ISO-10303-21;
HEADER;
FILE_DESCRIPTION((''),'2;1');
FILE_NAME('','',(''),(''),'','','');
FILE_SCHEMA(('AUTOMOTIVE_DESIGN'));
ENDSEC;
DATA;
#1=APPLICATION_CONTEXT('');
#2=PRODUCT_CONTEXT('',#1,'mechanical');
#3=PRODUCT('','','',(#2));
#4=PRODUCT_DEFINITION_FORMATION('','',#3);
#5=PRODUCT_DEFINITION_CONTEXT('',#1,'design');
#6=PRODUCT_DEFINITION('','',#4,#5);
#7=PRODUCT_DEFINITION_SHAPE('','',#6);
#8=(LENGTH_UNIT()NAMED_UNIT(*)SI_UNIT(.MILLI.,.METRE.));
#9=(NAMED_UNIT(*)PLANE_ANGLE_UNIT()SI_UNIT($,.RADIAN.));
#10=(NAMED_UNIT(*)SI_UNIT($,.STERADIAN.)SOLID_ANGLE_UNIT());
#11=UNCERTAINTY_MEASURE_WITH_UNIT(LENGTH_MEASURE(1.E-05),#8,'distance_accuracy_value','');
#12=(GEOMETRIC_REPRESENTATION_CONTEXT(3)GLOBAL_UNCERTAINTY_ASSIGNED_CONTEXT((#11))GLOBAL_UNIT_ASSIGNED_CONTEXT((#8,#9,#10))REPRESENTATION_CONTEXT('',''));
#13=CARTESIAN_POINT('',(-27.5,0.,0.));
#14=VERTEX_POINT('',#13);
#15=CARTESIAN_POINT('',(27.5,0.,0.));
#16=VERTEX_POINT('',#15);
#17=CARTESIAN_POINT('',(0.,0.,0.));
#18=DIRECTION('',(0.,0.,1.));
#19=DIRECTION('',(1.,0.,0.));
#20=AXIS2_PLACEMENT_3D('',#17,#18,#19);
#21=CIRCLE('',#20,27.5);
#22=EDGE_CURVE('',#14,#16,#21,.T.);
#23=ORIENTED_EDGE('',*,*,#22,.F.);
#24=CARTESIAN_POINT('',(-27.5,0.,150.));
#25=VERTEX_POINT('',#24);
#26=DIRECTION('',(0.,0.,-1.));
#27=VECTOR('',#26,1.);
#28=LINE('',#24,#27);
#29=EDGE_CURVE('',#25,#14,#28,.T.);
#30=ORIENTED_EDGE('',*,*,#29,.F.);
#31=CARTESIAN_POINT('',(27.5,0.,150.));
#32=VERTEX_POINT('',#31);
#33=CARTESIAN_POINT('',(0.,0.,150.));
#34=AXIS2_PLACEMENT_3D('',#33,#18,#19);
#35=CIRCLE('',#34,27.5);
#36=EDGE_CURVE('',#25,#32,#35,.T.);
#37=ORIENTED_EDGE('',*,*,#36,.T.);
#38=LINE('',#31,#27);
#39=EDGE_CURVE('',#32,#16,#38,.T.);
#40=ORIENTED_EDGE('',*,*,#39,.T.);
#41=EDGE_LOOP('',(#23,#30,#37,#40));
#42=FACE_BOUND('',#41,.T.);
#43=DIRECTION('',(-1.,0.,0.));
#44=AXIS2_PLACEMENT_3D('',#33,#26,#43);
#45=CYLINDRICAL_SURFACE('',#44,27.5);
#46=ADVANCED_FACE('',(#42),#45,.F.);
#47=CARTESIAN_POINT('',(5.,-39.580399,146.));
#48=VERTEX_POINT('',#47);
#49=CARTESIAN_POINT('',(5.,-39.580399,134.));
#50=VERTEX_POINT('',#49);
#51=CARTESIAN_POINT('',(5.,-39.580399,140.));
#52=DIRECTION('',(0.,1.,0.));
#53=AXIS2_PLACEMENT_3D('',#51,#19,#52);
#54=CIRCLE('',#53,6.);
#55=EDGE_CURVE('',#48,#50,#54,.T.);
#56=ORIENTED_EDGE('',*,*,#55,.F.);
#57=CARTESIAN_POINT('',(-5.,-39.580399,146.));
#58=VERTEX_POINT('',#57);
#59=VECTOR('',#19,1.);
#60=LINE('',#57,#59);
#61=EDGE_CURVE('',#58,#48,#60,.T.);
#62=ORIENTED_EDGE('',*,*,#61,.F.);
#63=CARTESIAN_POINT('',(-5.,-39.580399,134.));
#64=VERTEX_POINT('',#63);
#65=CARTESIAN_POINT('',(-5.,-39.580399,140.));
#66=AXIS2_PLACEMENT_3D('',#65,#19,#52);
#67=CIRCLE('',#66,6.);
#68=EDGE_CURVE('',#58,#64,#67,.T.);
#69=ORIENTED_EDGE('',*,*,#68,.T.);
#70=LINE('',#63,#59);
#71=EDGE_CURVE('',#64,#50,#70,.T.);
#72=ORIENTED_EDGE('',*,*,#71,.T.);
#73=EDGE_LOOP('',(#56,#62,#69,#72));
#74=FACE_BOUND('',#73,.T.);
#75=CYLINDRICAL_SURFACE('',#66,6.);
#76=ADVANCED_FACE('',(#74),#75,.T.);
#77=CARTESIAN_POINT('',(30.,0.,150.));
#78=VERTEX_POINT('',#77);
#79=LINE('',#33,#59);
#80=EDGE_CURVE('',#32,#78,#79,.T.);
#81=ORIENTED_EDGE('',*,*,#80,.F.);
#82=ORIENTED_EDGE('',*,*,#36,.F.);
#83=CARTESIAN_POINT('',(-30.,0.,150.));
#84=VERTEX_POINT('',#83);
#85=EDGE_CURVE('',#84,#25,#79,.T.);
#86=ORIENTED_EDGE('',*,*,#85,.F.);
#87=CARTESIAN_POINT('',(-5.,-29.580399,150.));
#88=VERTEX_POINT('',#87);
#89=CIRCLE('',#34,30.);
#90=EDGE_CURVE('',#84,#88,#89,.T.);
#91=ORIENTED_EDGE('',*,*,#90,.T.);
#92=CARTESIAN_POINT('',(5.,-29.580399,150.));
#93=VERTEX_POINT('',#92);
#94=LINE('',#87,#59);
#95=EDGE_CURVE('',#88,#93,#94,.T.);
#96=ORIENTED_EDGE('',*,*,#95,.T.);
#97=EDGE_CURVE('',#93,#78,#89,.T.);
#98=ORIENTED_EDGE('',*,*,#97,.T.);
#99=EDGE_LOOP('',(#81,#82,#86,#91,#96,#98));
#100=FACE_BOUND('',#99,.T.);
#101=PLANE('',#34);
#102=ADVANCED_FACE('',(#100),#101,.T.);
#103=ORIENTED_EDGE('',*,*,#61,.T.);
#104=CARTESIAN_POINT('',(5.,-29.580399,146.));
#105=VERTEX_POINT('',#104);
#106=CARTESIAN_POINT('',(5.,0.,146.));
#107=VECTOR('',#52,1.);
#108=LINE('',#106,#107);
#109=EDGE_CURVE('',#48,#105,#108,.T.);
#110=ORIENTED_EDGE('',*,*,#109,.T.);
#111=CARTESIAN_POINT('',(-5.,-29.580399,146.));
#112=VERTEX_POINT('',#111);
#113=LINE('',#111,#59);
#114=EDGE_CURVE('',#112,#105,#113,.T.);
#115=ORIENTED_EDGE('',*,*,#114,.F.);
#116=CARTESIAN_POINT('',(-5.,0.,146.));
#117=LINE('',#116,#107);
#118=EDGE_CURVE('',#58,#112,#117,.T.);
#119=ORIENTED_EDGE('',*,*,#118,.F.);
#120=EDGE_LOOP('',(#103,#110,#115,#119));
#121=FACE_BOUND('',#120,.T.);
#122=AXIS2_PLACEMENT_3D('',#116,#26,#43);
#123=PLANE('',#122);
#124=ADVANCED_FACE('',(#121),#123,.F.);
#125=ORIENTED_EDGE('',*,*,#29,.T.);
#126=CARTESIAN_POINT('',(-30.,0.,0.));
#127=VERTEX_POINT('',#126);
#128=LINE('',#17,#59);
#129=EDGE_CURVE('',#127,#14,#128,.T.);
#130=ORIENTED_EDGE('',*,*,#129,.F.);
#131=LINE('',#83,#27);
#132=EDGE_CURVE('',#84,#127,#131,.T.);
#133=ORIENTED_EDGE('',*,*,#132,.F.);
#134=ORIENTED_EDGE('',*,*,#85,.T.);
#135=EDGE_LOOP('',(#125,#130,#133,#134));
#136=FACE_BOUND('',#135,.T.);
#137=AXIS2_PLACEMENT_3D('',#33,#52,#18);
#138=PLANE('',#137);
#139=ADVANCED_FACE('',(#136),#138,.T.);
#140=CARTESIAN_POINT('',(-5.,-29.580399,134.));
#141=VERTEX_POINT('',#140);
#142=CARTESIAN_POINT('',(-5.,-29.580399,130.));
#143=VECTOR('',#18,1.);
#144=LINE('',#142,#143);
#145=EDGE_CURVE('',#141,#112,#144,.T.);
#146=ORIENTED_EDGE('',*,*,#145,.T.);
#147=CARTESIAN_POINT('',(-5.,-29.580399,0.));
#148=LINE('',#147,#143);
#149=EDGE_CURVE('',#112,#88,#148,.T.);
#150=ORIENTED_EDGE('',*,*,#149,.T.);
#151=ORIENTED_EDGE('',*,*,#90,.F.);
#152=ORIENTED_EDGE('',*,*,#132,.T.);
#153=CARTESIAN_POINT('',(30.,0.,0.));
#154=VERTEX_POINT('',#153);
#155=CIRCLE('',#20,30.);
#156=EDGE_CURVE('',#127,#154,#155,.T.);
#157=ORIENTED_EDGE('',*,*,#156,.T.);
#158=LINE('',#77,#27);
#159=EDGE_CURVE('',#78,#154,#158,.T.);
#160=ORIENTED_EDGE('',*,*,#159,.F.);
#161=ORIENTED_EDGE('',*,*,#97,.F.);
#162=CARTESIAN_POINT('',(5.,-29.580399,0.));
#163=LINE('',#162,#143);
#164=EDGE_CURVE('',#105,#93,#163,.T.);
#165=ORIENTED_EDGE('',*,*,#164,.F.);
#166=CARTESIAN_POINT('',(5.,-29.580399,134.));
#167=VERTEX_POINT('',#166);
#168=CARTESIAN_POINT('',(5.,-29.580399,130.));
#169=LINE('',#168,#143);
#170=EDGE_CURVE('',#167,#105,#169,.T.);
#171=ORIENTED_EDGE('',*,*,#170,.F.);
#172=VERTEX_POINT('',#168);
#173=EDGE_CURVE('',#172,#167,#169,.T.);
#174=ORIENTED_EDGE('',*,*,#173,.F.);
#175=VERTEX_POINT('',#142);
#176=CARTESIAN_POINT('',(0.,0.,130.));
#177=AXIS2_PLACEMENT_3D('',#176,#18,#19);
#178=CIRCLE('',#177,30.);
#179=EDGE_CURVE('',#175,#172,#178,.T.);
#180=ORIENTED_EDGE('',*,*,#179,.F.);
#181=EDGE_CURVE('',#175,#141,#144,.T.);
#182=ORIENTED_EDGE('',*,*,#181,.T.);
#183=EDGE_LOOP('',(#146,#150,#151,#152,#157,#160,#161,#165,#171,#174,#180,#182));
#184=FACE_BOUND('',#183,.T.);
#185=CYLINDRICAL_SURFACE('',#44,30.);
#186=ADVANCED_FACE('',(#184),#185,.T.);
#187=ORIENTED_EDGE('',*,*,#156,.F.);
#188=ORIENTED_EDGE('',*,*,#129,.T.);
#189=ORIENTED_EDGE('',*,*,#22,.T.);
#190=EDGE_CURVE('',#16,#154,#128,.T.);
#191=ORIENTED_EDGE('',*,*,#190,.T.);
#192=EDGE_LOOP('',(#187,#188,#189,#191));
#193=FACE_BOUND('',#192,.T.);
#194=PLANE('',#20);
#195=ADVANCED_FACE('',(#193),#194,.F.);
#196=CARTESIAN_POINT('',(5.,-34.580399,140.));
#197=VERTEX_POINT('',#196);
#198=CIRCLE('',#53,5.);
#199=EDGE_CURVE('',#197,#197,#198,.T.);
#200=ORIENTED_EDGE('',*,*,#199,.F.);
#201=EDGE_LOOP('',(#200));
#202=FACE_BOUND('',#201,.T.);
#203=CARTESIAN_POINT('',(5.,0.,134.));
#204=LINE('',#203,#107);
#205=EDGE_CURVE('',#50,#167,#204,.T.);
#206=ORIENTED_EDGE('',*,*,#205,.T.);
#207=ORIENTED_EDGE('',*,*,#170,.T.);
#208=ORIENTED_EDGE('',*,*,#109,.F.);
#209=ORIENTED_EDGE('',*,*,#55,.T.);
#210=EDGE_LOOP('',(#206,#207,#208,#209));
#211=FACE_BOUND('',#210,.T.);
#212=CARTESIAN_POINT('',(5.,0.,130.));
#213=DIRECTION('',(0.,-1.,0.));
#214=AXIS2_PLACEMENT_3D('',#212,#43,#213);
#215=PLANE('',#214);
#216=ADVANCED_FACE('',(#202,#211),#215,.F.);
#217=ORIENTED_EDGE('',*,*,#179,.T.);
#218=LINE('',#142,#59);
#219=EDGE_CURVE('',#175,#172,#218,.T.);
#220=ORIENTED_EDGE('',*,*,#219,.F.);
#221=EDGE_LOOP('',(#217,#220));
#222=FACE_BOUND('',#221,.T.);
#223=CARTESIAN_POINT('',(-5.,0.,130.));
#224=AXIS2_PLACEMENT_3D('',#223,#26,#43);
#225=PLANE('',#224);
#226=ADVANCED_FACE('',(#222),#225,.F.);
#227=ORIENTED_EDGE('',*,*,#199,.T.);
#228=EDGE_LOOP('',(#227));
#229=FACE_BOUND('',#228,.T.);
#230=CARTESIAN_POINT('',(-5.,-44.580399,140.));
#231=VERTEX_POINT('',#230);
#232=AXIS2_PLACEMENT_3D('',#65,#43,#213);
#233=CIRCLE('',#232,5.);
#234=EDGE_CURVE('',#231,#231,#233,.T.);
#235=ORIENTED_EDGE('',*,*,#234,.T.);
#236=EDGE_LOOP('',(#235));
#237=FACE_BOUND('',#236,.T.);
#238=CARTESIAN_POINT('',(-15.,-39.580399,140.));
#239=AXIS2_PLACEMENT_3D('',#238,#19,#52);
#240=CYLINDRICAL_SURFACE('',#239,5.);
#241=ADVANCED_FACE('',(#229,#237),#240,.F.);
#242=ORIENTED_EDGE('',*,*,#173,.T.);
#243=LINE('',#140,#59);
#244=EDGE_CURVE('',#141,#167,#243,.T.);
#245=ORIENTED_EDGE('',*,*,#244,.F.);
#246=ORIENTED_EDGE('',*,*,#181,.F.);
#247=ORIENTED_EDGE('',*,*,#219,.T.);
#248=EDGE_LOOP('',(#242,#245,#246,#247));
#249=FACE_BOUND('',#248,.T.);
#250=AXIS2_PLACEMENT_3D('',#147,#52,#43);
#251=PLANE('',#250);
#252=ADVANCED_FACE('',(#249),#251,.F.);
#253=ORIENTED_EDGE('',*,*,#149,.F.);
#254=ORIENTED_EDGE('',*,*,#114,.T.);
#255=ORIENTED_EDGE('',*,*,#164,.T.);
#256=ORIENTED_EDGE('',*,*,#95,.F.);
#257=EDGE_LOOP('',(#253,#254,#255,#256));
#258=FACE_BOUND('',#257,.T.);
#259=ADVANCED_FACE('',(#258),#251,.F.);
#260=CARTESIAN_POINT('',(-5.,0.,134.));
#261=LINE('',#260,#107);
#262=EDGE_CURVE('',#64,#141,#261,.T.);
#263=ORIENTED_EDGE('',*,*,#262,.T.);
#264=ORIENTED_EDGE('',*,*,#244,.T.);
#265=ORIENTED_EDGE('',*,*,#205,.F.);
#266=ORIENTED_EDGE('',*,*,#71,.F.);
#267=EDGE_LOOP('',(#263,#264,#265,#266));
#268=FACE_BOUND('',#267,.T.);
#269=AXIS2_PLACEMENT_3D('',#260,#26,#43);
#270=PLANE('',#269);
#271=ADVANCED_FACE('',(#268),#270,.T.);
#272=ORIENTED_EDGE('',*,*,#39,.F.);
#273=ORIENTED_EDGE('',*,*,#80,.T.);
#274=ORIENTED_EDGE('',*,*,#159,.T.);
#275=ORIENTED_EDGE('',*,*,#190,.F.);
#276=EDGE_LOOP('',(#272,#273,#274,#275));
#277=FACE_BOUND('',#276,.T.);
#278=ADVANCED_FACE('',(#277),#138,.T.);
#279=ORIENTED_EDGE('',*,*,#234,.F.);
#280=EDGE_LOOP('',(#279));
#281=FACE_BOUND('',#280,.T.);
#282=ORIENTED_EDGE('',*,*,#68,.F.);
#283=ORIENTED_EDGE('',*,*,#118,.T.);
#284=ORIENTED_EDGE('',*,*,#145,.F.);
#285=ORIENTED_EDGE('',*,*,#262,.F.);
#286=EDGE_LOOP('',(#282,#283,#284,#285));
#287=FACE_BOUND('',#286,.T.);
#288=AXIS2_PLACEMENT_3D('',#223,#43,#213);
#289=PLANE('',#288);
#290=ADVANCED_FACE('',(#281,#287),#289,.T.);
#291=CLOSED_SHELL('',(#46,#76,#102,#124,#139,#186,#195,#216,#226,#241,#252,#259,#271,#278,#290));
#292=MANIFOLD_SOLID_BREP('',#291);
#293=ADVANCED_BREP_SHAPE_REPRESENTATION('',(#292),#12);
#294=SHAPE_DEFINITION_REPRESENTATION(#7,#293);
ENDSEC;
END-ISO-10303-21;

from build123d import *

# Parameters (mm, degrees)
BOSS_EXTRUDE1_DEPTH = 150
BOSS_EXTRUDE2_START = -20
BOSS_EXTRUDE2_DEPTH = 20
SKETCH3_R           = 5
CUT_EXTRUDE1_DEPTH  = 20
CUT_EXTRUDE2_DEPTH  = 10


with BuildPart() as part:
    # Sketch1 → Boss-Extrude1 (new body)
    with BuildSketch(Plane.XY):
        with BuildLine():
            Line((30, 0), (27.5, 0))
            ThreePointArc((27.5, 0), (0, -27.5), (-27.5, 0))
            Line((-27.5, 0), (-30, 0))
            ThreePointArc((-30, 0), (0, -30), (30, 0))
        make_face()
    extrude(amount=BOSS_EXTRUDE1_DEPTH)

    # Sketch2 → Boss-Extrude2 (add)
    with BuildSketch(Plane.XY.offset(150).offset(BOSS_EXTRUDE2_START)):
        with BuildLine():
            Line((0, -45.496190277), (0, -30))
            ThreePointArc((0, -30), (-2.508787808, -29.894915684), (-5, -29.580398915))
            Line((-5, -29.580398915), (-5, -48))
            Line((-5, -48), (0, -48))
            Line((0, -48), (0, -45.496190277))
        make_face()
        with BuildLine():
            ThreePointArc((5, -29.580398915), (2.508787808, -29.894915684), (0, -30))
            Line((0, -30), (0, -45.496190277))
            Line((0, -45.496190277), (0, -48))
            Line((0, -48), (5, -48))
            Line((5, -48), (5, -29.580398915))
        make_face()
    extrude(amount=BOSS_EXTRUDE2_DEPTH)

    # Sketch3 → Cut-Extrude1 (cut)
    with BuildSketch(Plane(origin=(5, 0, 0), x_dir=(0, 0, -1), z_dir=(1, 0, 0))):
        with Locations(Location((-140, -39.580398915, 0), (0, 0, 90))):
            Circle(SKETCH3_R)
    extrude(amount=-CUT_EXTRUDE1_DEPTH, mode=Mode.SUBTRACT)

    # Sketch4 → Cut-Extrude2 (cut)
    with BuildSketch(Plane(origin=(5, 0, 0), x_dir=(0, 0, -1), z_dir=(1, 0, 0))):
        with BuildLine():
            ThreePointArc((-134, -39.580398915), (-140, -45.580398915), (-146, -39.580398915))
            Line((-146, -39.580398915), (-146, -29.580398915))
            Line((-146, -29.580398915), (-150, -29.580398915))
            Line((-150, -29.580398915), (-150, -48))
            Line((-150, -48), (-130, -48))
            Line((-130, -48), (-130, -29.580398915))
            Line((-130, -29.580398915), (-134, -29.580398915))
            Line((-134, -29.580398915), (-134, -39.580398915))
        make_face()
    extrude(amount=-CUT_EXTRUDE2_DEPTH, mode=Mode.SUBTRACT)


solid = part.part
